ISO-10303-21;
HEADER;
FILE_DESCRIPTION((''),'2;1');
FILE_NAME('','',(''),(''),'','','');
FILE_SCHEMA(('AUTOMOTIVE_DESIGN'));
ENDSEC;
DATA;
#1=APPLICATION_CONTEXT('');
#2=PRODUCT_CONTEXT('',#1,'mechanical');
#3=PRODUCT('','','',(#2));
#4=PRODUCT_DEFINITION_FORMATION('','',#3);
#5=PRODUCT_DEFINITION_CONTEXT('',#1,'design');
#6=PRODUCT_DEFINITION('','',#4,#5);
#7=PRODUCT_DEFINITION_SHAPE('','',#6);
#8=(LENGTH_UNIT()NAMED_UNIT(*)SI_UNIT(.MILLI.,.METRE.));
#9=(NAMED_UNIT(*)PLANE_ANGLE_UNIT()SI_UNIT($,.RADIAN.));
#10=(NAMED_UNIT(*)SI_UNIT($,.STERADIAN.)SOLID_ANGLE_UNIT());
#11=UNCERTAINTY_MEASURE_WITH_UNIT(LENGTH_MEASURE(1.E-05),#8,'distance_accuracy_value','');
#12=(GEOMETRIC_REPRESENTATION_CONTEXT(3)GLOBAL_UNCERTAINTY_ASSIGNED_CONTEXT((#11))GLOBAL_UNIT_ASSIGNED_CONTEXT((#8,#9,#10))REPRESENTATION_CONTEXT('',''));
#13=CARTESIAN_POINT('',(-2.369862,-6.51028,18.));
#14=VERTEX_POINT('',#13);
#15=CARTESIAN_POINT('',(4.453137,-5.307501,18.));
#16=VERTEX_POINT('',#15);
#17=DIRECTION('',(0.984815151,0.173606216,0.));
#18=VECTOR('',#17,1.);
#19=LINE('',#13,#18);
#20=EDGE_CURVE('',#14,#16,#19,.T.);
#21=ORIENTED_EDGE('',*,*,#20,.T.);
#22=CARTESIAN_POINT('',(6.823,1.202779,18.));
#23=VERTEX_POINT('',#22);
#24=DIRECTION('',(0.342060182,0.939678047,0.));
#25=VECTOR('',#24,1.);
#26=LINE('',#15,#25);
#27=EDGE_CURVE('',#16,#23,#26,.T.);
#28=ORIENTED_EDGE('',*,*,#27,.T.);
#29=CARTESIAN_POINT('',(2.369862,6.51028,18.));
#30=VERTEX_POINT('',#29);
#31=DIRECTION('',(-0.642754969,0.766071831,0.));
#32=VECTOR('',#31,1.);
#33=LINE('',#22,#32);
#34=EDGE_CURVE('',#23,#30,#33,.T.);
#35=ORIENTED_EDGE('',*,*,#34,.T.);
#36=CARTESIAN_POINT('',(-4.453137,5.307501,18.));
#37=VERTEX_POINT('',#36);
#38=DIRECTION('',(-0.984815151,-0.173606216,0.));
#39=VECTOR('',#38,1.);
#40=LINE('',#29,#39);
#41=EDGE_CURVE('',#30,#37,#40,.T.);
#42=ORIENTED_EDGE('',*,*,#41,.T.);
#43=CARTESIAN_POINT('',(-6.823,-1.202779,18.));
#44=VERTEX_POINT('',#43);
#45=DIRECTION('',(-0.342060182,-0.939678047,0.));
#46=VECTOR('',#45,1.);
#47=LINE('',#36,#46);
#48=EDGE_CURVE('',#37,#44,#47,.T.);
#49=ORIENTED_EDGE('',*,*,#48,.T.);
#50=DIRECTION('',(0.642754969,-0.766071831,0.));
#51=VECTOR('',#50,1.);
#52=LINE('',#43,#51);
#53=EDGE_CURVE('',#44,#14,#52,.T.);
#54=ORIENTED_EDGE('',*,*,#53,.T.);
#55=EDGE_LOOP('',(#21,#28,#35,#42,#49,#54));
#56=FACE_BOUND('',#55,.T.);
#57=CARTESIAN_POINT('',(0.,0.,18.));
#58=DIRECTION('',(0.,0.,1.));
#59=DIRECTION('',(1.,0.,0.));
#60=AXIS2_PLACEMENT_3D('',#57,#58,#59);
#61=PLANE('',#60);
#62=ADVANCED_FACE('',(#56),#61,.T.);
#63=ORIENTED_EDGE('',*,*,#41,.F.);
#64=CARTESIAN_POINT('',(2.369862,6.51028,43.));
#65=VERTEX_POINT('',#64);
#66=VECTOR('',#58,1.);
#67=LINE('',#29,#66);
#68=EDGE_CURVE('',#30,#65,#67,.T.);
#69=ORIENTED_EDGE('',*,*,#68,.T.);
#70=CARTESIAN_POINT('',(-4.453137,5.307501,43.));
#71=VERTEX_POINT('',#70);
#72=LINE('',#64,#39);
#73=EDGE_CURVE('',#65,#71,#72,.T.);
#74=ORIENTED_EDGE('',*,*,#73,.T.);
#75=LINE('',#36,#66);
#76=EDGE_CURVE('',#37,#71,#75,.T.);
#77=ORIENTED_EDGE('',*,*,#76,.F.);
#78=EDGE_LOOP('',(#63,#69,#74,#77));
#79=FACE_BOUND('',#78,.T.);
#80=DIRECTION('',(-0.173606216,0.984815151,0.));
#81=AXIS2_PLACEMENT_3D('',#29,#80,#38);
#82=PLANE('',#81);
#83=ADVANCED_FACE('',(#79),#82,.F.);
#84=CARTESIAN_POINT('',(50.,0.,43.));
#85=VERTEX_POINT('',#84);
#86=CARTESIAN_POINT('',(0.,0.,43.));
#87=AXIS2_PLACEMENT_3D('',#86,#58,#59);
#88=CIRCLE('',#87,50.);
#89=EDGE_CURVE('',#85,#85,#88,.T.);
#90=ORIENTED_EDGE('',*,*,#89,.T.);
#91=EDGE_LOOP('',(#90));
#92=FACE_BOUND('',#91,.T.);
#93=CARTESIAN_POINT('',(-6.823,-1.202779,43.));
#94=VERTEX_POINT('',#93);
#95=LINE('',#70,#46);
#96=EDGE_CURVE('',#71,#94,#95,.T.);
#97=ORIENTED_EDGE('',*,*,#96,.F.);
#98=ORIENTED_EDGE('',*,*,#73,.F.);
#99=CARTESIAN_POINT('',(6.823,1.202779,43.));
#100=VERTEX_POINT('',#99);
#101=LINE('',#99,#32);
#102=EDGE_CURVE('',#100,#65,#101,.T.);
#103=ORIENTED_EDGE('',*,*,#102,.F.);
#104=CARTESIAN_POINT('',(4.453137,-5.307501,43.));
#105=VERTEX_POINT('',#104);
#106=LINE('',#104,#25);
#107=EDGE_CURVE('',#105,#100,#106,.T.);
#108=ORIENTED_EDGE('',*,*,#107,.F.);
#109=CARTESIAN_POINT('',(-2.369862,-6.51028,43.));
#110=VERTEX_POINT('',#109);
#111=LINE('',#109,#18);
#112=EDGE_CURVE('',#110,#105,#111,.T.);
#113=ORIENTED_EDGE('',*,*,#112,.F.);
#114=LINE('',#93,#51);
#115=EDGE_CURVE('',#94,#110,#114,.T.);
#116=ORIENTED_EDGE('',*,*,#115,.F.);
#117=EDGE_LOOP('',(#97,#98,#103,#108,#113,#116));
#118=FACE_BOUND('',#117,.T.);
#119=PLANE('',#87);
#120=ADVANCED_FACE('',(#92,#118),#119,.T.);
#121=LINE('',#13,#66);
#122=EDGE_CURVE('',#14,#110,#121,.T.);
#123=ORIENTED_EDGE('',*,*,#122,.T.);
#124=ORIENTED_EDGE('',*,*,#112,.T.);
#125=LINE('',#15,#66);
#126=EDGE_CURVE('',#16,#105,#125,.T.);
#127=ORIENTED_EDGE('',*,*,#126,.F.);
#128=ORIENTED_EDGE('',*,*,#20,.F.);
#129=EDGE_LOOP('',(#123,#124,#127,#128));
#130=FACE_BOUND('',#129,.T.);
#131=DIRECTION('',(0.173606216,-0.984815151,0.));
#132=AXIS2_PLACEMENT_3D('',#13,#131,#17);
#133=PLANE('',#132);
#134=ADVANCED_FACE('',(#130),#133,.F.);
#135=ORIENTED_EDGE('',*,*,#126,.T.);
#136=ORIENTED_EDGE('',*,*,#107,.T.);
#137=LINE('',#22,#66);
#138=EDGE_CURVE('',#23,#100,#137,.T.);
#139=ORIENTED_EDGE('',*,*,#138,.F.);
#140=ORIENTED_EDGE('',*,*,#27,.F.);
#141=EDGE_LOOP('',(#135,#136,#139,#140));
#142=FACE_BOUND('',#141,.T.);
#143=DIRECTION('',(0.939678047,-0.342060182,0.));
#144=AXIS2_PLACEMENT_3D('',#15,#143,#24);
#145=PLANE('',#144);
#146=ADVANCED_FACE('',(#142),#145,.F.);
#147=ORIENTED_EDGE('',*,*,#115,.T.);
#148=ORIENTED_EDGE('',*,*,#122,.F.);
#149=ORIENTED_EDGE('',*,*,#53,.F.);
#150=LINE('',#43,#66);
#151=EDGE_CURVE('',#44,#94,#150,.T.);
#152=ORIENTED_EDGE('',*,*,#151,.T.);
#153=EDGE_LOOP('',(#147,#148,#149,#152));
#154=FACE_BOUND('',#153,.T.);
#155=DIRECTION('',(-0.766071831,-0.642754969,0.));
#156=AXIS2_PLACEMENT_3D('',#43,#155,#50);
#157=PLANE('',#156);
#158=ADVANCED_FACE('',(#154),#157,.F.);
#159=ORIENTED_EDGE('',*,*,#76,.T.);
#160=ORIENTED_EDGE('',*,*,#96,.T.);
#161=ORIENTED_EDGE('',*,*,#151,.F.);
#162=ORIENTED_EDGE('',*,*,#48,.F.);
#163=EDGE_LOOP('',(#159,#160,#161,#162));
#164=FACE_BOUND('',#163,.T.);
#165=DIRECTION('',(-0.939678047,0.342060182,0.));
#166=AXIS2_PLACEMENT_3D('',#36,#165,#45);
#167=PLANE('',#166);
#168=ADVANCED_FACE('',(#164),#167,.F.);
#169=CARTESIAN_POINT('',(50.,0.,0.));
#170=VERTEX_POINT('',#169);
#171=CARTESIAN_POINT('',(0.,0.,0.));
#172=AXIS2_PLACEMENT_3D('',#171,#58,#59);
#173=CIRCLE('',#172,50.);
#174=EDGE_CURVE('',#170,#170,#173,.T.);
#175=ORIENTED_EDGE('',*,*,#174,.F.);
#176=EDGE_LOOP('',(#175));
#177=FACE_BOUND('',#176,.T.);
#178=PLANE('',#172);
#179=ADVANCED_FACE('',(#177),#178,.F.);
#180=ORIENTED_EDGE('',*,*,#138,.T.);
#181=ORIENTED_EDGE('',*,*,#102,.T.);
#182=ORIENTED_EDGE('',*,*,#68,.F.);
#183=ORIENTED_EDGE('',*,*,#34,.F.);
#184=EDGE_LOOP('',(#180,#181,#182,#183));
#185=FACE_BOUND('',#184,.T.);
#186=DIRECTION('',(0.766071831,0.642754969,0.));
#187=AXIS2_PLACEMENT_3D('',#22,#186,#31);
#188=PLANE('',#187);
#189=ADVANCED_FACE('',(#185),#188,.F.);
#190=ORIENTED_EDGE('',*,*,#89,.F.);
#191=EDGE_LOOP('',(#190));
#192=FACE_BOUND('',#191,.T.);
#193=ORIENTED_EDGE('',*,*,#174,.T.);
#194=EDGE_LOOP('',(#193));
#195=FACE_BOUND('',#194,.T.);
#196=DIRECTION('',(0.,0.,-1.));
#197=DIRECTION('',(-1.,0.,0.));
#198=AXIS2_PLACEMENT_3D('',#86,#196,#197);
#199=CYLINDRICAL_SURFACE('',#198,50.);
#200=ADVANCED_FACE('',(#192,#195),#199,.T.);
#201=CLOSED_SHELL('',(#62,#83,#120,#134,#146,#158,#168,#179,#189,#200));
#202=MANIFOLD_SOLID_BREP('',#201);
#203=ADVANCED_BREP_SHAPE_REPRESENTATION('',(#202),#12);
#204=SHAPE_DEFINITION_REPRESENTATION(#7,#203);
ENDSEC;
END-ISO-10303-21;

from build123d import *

# Parameters (mm, degrees)
SKETCH_1_R          = 50
EXTRUDE_1_DEPTH     = 43
CUT_EXTRUDE_1_DEPTH = 25


with BuildPart() as part:
    # 草图1 → 凸台-拉伸1 (new body)
    with BuildSketch(Plane.XY):
        Circle(SKETCH_1_R)
    extrude(amount=EXTRUDE_1_DEPTH)

    # 草图2 → 切除-拉伸1 (cut)
    with BuildSketch(Plane.XY.offset(43)):
        Polygon((4.453137053, -5.307501332), (6.82299951, 1.202779148), (2.369862458, 6.51028048), (-4.453137053, 5.307501332), (-6.82299951, -1.202779148), (-2.369862458, -6.51028048), align=None)
    extrude(amount=-CUT_EXTRUDE_1_DEPTH, mode=Mode.SUBTRACT)


solid = part.part
